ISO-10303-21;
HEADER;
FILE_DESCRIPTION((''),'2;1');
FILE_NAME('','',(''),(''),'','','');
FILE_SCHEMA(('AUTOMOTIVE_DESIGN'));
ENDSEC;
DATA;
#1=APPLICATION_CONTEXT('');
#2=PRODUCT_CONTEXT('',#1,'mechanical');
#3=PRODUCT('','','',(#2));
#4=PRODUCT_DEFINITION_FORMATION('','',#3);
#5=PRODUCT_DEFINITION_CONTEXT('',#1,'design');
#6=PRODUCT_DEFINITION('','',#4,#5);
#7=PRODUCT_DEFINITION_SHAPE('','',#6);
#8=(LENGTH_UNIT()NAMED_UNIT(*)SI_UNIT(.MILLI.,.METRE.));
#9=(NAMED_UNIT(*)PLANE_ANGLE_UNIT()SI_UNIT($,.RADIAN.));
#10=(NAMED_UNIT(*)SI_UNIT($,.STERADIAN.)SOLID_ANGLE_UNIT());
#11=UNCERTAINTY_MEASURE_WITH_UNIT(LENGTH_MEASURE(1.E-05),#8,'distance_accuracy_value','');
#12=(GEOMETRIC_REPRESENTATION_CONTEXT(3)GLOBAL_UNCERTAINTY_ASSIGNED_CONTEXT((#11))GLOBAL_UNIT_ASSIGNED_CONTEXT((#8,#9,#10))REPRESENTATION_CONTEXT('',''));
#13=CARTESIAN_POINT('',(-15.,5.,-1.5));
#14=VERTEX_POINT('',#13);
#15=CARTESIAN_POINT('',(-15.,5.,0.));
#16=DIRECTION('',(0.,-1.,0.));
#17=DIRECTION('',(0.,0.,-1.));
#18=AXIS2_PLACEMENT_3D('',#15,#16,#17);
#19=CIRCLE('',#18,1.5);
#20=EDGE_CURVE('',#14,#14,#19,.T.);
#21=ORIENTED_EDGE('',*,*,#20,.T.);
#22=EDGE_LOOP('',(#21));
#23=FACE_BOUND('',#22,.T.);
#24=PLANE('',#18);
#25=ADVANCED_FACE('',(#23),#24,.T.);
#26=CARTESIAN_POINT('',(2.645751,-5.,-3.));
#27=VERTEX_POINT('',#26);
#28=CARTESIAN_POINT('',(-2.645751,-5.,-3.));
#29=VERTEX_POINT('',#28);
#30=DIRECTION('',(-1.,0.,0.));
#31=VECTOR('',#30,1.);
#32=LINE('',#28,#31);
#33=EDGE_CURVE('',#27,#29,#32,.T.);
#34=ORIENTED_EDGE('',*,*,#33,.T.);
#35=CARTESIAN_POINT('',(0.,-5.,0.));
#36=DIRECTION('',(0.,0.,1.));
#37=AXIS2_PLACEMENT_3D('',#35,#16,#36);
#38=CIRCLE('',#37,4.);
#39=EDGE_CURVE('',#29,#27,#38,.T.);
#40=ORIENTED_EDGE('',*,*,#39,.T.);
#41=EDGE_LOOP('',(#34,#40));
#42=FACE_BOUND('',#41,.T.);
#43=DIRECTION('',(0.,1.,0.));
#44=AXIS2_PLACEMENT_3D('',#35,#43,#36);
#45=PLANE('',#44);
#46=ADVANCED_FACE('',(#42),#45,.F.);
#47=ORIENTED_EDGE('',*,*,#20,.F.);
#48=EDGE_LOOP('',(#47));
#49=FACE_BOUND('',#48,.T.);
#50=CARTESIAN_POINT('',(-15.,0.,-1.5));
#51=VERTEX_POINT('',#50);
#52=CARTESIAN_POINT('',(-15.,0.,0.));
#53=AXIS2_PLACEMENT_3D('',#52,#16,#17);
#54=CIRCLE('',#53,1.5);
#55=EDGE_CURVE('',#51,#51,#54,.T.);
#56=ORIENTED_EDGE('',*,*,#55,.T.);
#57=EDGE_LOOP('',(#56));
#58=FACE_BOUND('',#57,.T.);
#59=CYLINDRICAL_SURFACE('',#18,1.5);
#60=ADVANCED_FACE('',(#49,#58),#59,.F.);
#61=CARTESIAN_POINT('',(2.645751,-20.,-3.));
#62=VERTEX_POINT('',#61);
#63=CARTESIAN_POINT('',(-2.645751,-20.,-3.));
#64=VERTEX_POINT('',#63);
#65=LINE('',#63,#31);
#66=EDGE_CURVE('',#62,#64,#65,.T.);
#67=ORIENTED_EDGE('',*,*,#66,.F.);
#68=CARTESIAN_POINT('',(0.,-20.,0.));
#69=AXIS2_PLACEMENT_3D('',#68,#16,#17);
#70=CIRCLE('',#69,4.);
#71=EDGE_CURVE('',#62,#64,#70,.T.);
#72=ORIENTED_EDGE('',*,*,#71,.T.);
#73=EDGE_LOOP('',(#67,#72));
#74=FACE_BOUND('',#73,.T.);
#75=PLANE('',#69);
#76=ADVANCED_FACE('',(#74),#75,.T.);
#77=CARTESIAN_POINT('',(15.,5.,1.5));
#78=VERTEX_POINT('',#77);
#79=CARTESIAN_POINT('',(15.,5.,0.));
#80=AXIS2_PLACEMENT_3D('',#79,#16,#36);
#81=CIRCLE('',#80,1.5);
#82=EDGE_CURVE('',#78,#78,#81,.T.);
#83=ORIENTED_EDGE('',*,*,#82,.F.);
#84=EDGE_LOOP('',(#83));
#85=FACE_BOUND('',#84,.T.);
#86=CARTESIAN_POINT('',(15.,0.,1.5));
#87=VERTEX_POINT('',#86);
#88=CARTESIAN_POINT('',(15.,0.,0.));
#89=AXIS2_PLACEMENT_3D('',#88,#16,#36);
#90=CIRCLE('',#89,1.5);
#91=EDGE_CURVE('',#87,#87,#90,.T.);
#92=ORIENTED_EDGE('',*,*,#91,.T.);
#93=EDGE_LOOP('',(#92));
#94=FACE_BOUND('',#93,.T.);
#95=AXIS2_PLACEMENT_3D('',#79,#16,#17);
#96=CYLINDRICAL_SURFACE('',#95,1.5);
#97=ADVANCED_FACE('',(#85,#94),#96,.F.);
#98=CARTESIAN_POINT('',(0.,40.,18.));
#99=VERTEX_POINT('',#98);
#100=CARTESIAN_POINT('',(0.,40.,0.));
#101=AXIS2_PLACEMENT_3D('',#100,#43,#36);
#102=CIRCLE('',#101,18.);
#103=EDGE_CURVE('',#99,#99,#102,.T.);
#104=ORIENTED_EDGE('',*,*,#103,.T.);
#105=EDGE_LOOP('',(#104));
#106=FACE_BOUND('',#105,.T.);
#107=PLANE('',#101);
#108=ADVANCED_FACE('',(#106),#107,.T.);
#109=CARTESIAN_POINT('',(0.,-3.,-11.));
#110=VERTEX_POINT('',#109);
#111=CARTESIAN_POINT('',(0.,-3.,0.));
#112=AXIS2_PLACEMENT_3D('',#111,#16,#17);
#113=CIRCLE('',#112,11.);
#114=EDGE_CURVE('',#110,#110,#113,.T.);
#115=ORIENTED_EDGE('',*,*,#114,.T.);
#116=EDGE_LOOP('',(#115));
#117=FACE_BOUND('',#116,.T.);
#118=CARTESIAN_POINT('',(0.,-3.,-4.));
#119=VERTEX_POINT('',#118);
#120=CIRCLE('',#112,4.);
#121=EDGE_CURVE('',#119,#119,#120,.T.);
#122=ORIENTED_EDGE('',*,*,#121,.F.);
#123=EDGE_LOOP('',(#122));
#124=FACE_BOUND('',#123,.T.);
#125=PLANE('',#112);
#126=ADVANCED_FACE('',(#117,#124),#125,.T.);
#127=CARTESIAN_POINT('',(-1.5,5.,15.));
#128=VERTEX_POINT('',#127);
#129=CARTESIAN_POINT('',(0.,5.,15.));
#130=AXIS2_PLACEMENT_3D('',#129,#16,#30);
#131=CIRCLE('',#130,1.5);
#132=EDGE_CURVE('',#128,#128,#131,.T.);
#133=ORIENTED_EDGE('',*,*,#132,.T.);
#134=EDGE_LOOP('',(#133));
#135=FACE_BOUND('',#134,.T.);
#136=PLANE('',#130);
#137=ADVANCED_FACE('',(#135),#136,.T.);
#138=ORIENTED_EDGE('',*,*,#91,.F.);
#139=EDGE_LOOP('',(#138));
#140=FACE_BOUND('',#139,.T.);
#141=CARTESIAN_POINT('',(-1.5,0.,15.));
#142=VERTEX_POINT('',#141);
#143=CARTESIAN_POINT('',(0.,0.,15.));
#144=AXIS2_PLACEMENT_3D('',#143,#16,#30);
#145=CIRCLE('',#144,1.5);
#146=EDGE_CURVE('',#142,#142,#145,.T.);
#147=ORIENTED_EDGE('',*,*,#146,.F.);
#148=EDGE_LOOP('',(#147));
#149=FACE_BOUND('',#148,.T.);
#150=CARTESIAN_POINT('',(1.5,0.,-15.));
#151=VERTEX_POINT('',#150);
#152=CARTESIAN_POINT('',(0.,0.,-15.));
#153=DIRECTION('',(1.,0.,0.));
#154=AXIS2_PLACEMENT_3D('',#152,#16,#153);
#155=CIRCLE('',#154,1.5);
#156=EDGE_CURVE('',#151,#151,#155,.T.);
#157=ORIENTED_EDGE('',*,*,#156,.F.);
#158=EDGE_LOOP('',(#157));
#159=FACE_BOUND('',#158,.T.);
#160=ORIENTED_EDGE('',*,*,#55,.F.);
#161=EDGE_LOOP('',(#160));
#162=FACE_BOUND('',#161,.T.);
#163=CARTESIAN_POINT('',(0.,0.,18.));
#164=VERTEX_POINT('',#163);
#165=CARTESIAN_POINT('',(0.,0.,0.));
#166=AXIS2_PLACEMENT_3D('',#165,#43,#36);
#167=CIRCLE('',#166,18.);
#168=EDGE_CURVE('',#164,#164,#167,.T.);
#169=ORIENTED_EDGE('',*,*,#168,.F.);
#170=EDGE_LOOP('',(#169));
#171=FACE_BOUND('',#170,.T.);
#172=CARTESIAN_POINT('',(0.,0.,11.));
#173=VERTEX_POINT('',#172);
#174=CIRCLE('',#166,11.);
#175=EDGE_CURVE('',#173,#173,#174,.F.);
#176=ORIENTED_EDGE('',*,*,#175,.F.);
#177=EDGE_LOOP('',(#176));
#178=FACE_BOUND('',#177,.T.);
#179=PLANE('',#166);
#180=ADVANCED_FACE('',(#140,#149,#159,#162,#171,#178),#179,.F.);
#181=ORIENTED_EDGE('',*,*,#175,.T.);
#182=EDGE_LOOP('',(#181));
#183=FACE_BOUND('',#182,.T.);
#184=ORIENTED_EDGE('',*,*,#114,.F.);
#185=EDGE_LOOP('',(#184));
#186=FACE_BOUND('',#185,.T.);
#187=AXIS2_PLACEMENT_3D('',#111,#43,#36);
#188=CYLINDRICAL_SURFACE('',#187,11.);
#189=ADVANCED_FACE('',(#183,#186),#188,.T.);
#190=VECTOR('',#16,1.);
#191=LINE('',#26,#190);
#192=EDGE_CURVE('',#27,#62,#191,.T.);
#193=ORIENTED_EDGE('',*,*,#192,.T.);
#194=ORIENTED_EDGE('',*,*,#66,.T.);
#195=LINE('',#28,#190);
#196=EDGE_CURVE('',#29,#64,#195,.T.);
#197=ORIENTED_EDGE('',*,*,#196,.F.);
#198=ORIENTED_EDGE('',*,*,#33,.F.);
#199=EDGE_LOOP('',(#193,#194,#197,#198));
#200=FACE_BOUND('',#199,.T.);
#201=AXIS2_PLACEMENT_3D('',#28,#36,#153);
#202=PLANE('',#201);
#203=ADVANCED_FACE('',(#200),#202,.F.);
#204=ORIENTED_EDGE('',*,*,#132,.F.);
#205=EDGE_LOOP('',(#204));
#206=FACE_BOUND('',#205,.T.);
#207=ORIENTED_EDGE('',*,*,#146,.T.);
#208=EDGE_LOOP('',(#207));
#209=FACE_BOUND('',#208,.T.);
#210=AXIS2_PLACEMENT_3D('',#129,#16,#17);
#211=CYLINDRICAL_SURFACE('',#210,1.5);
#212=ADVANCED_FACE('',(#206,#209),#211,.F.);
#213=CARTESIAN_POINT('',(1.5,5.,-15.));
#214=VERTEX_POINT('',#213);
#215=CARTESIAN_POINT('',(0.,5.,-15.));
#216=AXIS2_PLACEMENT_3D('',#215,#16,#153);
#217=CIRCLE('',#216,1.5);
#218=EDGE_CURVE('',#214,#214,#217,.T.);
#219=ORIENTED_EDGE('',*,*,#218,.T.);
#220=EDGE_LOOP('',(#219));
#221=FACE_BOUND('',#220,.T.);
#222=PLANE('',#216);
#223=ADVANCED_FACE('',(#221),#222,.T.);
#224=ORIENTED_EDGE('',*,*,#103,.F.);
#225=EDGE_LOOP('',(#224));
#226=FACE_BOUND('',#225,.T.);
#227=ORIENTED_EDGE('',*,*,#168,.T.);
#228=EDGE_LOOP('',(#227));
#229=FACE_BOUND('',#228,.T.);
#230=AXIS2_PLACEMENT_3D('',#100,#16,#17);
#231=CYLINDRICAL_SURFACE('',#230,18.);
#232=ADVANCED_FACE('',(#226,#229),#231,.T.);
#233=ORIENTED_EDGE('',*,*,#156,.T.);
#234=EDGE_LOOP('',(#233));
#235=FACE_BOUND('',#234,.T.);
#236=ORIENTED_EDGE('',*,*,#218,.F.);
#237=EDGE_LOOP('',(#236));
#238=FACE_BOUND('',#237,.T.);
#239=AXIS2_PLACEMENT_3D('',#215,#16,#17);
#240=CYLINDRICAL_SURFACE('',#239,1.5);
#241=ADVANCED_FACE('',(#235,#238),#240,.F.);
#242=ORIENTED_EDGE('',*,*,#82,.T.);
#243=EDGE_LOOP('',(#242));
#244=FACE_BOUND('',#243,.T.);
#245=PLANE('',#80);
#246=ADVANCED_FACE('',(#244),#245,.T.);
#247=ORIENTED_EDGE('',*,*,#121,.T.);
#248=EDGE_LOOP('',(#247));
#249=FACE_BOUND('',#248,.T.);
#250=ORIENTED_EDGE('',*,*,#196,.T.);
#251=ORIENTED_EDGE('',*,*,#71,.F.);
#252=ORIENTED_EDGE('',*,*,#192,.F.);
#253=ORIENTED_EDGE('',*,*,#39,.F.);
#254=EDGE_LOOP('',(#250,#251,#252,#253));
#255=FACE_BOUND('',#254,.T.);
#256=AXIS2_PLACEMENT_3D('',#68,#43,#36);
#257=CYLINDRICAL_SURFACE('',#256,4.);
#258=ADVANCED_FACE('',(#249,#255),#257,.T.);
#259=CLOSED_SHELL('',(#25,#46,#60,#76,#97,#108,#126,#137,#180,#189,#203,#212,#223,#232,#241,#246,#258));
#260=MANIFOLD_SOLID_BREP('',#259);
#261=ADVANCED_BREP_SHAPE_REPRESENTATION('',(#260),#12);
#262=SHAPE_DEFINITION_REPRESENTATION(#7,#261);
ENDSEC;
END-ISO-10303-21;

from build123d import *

# Parameters (mm, degrees)
SKETCH1_R           = 18
BOSS_EXTRUDE1_DEPTH = 40
SKETCH2_R           = 1.5
CUT_EXTRUDE1_DEPTH  = 5
CIRPATTERN1_COUNT   = 4
SKETCH3_R           = 11
BOSS_EXTRUDE2_DEPTH = 3
SKETCH4_R           = 4
BOSS_EXTRUDE3_DEPTH = 17
CUT_EXTRUDE2_START  = -15
CUT_EXTRUDE2_DEPTH  = 15


with BuildPart() as part:
    # Sketch1 → Boss-Extrude1 (new body)
    with BuildSketch(Plane(origin=(0, 0, 0), x_dir=(1, 0, 0), z_dir=(0, 1, 0))):
        with Locations(Location((0, 0, 0), (0, 0, 270))):
            Circle(SKETCH1_R)
    extrude(amount=BOSS_EXTRUDE1_DEPTH)

    # Sketch2 → Cut-Extrude1 (cut)
    with BuildSketch(Plane.XZ):
        with Locations(Location((-15, 0, 0), (0, 0, 270))):
            Circle(SKETCH2_R)
    cut_extrude1 = extrude(amount=-CUT_EXTRUDE1_DEPTH, mode=Mode.SUBTRACT)

    # CirPattern1: Cut-Extrude1 ×4 about axis
    cirpattern1_axis = Axis((0, 0, 0), (0, 1, 0))
    for i in range(1, CIRPATTERN1_COUNT):
        add(cut_extrude1.rotate(cirpattern1_axis, i * 360 / CIRPATTERN1_COUNT), mode=Mode.SUBTRACT)

    # Sketch3 → Boss-Extrude2 (add)
    with BuildSketch(Plane.XZ):
        with Locations(Location((0, 0, 0), (0, 0, 90))):
            Circle(SKETCH3_R)
    extrude(amount=BOSS_EXTRUDE2_DEPTH)

    # Sketch4 → Boss-Extrude3 (add)
    with BuildSketch(Plane.XZ.offset(3)):
        with Locations(Location((0, 0, 0), (0, 0, 270))):
            Circle(SKETCH4_R)
    extrude(amount=BOSS_EXTRUDE3_DEPTH)

    # Sketch5 → Cut-Extrude2 (cut)
    with BuildSketch(Plane.XZ.offset(20).offset(CUT_EXTRUDE2_START)):
        with BuildLine():
            Line((-2.645751311, -3), (2.645751311, -3))
            ThreePointArc((2.645751311, -3), (0, -4), (-2.645751311, -3))
        make_face()
    extrude(amount=CUT_EXTRUDE2_DEPTH, mode=Mode.SUBTRACT)


solid = part.part
